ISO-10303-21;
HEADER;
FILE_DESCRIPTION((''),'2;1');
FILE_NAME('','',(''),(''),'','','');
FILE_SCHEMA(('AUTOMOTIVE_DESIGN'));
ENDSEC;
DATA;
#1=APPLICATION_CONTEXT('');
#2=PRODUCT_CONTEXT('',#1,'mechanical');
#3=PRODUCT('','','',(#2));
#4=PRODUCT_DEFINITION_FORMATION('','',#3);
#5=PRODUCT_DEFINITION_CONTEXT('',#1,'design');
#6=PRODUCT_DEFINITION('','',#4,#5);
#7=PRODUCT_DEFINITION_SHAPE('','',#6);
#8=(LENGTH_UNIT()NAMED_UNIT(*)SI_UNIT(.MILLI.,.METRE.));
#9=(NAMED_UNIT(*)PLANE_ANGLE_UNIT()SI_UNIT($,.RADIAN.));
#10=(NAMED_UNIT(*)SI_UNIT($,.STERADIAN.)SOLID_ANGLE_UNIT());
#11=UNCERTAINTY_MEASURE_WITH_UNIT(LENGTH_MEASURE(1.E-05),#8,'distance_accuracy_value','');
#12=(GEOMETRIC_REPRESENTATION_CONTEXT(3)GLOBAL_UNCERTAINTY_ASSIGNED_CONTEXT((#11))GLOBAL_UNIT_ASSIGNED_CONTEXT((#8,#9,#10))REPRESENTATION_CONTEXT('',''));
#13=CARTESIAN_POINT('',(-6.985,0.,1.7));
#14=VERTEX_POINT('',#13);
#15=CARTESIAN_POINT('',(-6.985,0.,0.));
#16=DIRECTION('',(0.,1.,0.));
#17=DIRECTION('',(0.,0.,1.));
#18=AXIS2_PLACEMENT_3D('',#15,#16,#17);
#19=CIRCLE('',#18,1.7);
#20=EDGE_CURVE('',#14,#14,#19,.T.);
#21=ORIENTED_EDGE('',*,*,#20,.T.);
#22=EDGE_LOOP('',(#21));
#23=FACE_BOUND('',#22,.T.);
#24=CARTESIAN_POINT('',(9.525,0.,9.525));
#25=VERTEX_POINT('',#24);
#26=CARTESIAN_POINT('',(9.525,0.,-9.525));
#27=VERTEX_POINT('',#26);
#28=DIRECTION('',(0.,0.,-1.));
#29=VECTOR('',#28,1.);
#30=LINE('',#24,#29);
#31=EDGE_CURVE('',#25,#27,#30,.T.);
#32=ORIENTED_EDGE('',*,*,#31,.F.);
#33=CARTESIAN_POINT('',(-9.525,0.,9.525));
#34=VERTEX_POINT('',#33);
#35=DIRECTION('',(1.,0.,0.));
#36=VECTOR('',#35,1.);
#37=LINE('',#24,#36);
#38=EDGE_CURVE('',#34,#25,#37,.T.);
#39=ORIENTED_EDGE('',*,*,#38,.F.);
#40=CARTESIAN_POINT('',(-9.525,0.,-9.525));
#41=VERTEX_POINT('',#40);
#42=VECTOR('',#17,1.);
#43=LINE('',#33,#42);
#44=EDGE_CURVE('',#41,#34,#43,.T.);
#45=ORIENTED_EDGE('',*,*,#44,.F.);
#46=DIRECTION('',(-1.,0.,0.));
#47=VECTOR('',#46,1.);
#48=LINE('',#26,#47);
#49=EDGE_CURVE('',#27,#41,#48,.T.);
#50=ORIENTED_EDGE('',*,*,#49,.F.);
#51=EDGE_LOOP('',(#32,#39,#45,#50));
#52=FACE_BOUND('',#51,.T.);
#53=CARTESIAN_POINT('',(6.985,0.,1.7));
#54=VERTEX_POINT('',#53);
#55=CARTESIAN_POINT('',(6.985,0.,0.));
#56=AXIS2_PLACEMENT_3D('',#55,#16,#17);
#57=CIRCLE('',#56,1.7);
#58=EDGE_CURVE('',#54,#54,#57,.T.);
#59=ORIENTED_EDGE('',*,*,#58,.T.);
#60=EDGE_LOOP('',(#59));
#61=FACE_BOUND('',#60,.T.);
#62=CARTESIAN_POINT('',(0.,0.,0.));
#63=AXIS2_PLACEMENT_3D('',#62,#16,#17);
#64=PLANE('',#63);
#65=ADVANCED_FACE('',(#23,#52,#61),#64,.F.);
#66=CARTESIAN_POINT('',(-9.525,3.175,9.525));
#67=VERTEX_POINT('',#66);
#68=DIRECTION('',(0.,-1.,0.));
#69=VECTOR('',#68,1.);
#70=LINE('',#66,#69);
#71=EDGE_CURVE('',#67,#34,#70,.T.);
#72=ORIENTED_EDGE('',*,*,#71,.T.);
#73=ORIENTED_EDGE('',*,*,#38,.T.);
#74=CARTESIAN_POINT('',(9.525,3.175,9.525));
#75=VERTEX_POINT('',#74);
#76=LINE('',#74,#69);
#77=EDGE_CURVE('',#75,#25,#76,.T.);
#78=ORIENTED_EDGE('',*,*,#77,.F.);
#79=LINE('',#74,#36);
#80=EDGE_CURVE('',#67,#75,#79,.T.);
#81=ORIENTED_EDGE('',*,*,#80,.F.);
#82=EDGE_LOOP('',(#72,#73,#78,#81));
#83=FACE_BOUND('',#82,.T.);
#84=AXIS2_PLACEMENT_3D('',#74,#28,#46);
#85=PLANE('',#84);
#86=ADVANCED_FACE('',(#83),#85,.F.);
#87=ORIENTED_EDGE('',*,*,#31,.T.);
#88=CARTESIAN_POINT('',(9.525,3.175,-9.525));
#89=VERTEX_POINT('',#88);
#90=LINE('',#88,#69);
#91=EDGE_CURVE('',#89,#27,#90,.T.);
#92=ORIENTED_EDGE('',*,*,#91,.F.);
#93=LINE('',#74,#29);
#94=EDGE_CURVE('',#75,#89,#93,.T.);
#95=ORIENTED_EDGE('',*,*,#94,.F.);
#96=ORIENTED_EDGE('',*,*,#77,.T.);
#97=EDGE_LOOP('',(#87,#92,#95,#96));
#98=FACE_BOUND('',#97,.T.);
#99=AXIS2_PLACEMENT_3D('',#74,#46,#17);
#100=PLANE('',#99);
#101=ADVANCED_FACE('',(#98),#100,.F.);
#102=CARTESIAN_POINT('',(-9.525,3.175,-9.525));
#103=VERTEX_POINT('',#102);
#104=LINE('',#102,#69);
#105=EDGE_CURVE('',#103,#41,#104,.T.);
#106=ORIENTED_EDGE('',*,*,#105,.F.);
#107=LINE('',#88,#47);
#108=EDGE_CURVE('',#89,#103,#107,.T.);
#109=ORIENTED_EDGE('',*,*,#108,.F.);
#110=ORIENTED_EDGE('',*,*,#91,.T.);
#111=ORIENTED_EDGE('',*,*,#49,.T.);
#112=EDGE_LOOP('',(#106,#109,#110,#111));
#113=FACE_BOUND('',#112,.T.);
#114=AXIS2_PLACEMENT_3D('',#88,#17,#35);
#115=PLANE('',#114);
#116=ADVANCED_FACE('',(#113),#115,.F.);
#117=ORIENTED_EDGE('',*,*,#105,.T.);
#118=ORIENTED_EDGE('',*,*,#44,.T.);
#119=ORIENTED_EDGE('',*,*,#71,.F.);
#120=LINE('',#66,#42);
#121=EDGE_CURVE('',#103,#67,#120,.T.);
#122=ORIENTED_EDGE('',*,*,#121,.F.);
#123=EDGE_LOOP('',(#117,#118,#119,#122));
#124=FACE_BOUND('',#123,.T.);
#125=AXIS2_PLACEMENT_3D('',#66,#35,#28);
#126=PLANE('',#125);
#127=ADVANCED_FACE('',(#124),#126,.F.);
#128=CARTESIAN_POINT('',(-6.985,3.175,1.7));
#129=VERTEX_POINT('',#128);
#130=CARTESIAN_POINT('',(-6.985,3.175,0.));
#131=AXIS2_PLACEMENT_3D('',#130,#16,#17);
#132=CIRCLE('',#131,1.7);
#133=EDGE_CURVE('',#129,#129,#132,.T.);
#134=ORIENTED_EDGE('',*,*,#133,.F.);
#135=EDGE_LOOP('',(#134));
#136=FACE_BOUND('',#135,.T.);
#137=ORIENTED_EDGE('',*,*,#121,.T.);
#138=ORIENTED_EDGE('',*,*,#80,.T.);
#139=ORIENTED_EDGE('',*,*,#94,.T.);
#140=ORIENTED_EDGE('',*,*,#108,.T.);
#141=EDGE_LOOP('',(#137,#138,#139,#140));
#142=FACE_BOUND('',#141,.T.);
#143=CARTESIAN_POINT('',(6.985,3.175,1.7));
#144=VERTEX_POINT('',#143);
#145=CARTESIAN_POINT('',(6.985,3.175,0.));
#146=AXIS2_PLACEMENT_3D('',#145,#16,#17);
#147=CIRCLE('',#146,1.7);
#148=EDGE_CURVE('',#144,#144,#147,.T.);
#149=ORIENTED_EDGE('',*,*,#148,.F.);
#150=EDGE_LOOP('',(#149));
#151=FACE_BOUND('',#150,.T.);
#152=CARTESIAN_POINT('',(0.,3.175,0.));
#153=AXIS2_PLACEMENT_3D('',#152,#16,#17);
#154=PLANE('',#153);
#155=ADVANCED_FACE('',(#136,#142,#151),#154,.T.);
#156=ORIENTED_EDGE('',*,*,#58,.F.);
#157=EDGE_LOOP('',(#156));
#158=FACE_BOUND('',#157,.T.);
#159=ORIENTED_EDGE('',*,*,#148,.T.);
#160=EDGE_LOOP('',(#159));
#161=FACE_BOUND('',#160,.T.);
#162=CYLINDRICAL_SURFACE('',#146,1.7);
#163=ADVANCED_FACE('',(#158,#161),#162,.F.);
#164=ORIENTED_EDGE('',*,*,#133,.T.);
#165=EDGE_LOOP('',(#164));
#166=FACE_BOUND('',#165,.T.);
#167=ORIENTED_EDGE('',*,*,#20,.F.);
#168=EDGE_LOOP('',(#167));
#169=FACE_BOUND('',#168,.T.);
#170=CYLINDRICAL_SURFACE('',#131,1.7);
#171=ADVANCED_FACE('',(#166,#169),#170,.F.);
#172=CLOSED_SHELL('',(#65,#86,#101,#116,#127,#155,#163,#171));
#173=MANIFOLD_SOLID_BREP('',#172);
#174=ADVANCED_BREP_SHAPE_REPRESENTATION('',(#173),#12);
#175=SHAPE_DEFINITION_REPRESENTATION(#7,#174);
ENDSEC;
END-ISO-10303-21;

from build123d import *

# Parameters (mm, degrees)
SKETCH1_W                = 19.05
SKETCH1_H                = 19.05
BOSS_EXTRUDE1_DEPTH      = 3.175
M3_CLEARANCE_HOLE1_D     = 3.4
M3_CLEARANCE_HOLE1_DEPTH = 7.62
M3_CLEARANCE_HOLE1_TIP   = 1.021463052


with BuildPart() as part:
    # Sketch1 → Boss-Extrude1 (new body)
    with BuildSketch(Plane(origin=(0, 0, 0), x_dir=(1, 0, 0), z_dir=(0, 1, 0))):
        Rectangle(SKETCH1_W, SKETCH1_H)
    extrude(amount=BOSS_EXTRUDE1_DEPTH)

    # M3 Clearance Hole1
    with Locations(Plane(origin=(0, 3.175, 0), x_dir=(1, 0, 0), z_dir=(0, 1, 0))):
        with Locations((6.985, 0), (-6.985, 0)):
            Hole(M3_CLEARANCE_HOLE1_D / 2, depth=M3_CLEARANCE_HOLE1_DEPTH)
            with Locations((0, 0, -(M3_CLEARANCE_HOLE1_DEPTH + M3_CLEARANCE_HOLE1_TIP / 2))):  # 118° drill point
                Cone(0, M3_CLEARANCE_HOLE1_D / 2, M3_CLEARANCE_HOLE1_TIP, mode=Mode.SUBTRACT)


solid = part.part
